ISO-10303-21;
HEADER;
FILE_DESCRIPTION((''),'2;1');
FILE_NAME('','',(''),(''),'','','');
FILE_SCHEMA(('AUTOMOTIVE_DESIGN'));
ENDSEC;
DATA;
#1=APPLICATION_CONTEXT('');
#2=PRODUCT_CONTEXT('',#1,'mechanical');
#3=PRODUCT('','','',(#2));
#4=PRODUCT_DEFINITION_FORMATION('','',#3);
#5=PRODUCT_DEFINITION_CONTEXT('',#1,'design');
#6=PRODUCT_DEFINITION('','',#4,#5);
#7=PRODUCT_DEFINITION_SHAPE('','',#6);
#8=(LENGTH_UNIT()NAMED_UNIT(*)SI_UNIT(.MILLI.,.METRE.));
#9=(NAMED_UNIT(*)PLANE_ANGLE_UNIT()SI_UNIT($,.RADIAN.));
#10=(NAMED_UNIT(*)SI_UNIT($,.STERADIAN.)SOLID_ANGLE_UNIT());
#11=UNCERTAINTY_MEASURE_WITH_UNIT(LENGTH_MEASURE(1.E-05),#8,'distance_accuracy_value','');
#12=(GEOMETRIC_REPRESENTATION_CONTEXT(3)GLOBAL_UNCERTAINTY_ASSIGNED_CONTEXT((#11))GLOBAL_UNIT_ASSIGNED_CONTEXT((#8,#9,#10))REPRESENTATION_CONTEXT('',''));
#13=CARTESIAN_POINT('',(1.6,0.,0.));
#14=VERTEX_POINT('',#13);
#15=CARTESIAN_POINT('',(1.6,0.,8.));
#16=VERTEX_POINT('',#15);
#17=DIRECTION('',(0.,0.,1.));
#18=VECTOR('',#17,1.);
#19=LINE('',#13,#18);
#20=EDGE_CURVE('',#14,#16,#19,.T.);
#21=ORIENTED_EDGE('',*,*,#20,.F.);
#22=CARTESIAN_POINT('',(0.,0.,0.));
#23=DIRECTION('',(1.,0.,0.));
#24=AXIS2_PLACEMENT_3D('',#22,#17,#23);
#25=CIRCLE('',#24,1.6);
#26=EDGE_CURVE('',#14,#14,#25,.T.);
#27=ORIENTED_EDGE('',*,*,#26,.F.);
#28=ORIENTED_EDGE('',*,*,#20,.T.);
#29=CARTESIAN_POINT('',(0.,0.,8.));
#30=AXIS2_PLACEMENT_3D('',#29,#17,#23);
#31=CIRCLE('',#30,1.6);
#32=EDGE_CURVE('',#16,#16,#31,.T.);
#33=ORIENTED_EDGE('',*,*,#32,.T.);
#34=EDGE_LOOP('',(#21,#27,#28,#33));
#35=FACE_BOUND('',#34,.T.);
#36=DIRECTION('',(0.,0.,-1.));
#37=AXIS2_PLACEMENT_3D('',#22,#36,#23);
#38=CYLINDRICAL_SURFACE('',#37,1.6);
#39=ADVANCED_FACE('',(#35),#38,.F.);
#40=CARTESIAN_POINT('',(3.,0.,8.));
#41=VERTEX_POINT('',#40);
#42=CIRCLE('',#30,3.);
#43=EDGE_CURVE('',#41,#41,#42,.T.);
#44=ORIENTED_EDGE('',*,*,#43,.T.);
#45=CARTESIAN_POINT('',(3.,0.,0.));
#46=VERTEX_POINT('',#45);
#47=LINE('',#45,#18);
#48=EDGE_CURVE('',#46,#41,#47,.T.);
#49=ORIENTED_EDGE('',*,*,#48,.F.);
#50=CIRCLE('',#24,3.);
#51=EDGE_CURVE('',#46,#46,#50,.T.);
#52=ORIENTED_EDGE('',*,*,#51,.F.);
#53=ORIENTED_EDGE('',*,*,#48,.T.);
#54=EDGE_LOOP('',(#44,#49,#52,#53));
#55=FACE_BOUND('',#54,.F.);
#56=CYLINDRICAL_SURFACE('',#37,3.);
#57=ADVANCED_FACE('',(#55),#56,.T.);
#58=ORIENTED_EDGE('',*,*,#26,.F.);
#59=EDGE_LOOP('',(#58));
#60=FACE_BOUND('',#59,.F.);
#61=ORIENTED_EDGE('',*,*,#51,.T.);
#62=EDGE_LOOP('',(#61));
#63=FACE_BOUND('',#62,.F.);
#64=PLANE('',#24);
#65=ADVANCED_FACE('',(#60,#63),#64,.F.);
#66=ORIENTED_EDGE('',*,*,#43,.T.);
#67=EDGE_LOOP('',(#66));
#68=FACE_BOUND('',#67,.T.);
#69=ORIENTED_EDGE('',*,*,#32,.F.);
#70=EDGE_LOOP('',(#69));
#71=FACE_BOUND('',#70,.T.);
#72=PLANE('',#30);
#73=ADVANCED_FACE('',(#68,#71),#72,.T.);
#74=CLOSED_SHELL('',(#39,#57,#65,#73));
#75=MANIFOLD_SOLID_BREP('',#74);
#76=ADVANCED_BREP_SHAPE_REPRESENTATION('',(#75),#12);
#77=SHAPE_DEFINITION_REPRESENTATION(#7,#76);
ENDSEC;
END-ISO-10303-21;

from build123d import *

# Parameters (mm, degrees)
SKETCH1_R           = 3
SKETCH1_R_2         = 1.6
BOSS_EXTRUDE1_DEPTH = 8


with BuildPart() as part:
    # Sketch1 → Boss-Extrude1 (new body)
    with BuildSketch(Plane.XY):
        Circle(SKETCH1_R)
        Circle(SKETCH1_R_2, mode=Mode.SUBTRACT)
    extrude(amount=BOSS_EXTRUDE1_DEPTH)


solid = part.part
